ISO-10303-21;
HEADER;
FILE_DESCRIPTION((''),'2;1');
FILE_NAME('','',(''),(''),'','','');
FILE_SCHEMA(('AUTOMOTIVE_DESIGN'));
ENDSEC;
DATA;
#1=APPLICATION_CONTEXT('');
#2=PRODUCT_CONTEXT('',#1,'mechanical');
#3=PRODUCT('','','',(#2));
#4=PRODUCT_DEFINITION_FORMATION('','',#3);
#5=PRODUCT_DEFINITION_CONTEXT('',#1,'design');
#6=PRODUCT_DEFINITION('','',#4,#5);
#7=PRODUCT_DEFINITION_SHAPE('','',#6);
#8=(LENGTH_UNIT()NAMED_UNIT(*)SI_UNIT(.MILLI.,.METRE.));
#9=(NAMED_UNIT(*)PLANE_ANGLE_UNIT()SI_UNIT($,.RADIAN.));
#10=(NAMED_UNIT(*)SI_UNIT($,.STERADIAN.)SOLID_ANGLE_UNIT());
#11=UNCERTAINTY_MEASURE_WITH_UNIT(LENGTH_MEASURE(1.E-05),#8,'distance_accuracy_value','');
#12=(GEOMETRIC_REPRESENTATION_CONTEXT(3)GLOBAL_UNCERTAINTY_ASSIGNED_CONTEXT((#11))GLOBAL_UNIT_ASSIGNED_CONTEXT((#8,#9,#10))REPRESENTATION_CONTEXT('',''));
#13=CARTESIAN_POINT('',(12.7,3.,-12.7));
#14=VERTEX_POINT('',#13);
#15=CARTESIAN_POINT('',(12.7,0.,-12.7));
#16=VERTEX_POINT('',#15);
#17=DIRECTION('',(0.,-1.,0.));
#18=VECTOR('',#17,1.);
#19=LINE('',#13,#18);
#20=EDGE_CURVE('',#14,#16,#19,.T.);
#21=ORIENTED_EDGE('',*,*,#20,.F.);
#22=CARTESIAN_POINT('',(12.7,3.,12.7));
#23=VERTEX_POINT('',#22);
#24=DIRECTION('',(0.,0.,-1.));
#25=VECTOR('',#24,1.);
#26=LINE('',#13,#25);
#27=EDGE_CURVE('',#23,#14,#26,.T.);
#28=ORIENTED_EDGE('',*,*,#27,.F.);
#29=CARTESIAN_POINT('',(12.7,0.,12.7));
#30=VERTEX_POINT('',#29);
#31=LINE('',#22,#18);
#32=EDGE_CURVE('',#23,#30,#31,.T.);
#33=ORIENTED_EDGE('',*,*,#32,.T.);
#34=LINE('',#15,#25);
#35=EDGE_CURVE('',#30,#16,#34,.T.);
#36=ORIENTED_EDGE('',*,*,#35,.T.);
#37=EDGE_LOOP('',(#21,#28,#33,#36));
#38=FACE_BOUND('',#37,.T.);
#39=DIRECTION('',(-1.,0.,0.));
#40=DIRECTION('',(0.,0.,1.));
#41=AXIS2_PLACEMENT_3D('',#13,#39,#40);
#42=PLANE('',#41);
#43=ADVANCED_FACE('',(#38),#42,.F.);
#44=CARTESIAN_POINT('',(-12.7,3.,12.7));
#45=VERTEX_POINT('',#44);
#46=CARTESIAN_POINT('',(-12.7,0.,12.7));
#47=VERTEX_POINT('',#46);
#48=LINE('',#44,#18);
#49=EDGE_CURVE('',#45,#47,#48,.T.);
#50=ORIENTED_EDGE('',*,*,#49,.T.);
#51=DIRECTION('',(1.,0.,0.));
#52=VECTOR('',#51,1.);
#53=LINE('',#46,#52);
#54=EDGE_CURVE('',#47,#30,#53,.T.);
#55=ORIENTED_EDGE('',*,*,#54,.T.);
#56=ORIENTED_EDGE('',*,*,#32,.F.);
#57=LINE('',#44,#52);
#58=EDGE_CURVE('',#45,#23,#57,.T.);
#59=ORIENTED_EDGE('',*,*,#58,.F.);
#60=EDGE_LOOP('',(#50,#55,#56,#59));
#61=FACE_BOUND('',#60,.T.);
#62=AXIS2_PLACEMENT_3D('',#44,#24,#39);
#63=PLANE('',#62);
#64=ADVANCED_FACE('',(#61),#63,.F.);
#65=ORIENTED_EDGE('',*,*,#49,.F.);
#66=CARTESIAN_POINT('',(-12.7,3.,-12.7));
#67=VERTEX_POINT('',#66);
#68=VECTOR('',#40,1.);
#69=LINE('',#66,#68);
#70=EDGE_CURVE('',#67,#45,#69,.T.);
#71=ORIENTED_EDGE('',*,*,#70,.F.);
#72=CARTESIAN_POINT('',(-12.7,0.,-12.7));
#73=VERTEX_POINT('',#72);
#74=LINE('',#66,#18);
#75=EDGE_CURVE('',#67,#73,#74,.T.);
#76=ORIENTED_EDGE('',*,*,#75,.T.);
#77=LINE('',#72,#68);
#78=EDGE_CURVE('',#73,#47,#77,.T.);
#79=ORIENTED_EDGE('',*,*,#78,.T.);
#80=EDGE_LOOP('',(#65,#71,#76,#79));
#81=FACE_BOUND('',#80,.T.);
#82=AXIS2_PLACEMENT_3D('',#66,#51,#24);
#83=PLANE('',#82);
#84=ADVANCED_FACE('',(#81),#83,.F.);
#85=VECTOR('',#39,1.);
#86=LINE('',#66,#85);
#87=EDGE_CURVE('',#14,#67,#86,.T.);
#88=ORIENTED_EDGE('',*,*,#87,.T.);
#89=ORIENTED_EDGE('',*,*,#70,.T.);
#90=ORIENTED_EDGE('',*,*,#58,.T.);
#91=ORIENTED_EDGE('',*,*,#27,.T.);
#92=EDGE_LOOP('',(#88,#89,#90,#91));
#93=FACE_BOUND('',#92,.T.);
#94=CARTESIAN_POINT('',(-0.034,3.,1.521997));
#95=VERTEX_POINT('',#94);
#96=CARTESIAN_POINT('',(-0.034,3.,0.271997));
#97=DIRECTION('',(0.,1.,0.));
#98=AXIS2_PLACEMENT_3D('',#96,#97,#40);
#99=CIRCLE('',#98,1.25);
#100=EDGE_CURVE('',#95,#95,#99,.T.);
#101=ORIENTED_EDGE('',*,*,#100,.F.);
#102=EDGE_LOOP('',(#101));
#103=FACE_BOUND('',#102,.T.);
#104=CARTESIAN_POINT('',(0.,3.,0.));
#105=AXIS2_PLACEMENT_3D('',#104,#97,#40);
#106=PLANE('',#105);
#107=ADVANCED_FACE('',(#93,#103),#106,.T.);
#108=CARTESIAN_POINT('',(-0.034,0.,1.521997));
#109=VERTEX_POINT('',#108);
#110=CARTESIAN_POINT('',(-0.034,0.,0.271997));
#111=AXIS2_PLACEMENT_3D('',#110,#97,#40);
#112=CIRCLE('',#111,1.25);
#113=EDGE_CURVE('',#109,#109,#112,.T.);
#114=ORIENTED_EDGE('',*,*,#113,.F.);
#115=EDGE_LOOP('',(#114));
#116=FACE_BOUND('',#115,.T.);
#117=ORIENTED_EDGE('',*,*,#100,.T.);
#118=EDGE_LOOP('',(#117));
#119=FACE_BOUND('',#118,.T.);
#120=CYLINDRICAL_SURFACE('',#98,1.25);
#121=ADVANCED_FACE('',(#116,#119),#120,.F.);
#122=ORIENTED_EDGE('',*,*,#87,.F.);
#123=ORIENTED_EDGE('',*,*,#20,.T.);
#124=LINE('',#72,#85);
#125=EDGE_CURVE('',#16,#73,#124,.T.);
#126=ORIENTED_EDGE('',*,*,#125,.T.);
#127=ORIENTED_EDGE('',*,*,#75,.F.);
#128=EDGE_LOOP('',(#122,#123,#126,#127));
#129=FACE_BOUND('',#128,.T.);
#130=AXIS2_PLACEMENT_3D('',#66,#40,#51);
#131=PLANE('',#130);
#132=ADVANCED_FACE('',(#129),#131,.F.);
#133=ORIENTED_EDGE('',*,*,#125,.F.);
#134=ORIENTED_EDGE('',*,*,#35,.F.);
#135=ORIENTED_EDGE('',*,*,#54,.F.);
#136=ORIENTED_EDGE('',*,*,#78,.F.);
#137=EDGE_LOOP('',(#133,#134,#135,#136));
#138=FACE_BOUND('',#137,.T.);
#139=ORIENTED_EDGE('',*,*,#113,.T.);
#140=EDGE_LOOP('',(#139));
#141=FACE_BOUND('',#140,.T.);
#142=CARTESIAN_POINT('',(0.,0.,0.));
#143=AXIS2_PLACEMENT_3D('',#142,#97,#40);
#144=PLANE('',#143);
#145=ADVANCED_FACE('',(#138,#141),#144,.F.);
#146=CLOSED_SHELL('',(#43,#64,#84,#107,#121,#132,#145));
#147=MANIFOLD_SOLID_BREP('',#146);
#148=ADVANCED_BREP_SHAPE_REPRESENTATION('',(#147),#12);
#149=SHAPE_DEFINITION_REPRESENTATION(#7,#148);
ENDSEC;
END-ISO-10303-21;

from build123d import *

# Parameters (mm, degrees)
SKETCH1_W             = 25.4
SKETCH1_H             = 25.4
BOSS_EXTRUDE1_DEPTH   = 3
M3X0_5_TAPPED_HOLE1_D = 2.5


with BuildPart() as part:
    # Sketch1 → Boss-Extrude1 (new body)
    with BuildSketch(Plane(origin=(0, 0, 0), x_dir=(1, 0, 0), z_dir=(0, 1, 0))):
        Rectangle(SKETCH1_W, SKETCH1_H)
    extrude(amount=BOSS_EXTRUDE1_DEPTH)

    # M3x0.5 Tapped Hole1 (through all)
    with Locations(Plane(origin=(-0.033999566, 3, 0.27199653), x_dir=(0, 0, 1), z_dir=(0, 1, 0))):
        with Locations((0, 0)):
            Hole(M3X0_5_TAPPED_HOLE1_D / 2)


solid = part.part
